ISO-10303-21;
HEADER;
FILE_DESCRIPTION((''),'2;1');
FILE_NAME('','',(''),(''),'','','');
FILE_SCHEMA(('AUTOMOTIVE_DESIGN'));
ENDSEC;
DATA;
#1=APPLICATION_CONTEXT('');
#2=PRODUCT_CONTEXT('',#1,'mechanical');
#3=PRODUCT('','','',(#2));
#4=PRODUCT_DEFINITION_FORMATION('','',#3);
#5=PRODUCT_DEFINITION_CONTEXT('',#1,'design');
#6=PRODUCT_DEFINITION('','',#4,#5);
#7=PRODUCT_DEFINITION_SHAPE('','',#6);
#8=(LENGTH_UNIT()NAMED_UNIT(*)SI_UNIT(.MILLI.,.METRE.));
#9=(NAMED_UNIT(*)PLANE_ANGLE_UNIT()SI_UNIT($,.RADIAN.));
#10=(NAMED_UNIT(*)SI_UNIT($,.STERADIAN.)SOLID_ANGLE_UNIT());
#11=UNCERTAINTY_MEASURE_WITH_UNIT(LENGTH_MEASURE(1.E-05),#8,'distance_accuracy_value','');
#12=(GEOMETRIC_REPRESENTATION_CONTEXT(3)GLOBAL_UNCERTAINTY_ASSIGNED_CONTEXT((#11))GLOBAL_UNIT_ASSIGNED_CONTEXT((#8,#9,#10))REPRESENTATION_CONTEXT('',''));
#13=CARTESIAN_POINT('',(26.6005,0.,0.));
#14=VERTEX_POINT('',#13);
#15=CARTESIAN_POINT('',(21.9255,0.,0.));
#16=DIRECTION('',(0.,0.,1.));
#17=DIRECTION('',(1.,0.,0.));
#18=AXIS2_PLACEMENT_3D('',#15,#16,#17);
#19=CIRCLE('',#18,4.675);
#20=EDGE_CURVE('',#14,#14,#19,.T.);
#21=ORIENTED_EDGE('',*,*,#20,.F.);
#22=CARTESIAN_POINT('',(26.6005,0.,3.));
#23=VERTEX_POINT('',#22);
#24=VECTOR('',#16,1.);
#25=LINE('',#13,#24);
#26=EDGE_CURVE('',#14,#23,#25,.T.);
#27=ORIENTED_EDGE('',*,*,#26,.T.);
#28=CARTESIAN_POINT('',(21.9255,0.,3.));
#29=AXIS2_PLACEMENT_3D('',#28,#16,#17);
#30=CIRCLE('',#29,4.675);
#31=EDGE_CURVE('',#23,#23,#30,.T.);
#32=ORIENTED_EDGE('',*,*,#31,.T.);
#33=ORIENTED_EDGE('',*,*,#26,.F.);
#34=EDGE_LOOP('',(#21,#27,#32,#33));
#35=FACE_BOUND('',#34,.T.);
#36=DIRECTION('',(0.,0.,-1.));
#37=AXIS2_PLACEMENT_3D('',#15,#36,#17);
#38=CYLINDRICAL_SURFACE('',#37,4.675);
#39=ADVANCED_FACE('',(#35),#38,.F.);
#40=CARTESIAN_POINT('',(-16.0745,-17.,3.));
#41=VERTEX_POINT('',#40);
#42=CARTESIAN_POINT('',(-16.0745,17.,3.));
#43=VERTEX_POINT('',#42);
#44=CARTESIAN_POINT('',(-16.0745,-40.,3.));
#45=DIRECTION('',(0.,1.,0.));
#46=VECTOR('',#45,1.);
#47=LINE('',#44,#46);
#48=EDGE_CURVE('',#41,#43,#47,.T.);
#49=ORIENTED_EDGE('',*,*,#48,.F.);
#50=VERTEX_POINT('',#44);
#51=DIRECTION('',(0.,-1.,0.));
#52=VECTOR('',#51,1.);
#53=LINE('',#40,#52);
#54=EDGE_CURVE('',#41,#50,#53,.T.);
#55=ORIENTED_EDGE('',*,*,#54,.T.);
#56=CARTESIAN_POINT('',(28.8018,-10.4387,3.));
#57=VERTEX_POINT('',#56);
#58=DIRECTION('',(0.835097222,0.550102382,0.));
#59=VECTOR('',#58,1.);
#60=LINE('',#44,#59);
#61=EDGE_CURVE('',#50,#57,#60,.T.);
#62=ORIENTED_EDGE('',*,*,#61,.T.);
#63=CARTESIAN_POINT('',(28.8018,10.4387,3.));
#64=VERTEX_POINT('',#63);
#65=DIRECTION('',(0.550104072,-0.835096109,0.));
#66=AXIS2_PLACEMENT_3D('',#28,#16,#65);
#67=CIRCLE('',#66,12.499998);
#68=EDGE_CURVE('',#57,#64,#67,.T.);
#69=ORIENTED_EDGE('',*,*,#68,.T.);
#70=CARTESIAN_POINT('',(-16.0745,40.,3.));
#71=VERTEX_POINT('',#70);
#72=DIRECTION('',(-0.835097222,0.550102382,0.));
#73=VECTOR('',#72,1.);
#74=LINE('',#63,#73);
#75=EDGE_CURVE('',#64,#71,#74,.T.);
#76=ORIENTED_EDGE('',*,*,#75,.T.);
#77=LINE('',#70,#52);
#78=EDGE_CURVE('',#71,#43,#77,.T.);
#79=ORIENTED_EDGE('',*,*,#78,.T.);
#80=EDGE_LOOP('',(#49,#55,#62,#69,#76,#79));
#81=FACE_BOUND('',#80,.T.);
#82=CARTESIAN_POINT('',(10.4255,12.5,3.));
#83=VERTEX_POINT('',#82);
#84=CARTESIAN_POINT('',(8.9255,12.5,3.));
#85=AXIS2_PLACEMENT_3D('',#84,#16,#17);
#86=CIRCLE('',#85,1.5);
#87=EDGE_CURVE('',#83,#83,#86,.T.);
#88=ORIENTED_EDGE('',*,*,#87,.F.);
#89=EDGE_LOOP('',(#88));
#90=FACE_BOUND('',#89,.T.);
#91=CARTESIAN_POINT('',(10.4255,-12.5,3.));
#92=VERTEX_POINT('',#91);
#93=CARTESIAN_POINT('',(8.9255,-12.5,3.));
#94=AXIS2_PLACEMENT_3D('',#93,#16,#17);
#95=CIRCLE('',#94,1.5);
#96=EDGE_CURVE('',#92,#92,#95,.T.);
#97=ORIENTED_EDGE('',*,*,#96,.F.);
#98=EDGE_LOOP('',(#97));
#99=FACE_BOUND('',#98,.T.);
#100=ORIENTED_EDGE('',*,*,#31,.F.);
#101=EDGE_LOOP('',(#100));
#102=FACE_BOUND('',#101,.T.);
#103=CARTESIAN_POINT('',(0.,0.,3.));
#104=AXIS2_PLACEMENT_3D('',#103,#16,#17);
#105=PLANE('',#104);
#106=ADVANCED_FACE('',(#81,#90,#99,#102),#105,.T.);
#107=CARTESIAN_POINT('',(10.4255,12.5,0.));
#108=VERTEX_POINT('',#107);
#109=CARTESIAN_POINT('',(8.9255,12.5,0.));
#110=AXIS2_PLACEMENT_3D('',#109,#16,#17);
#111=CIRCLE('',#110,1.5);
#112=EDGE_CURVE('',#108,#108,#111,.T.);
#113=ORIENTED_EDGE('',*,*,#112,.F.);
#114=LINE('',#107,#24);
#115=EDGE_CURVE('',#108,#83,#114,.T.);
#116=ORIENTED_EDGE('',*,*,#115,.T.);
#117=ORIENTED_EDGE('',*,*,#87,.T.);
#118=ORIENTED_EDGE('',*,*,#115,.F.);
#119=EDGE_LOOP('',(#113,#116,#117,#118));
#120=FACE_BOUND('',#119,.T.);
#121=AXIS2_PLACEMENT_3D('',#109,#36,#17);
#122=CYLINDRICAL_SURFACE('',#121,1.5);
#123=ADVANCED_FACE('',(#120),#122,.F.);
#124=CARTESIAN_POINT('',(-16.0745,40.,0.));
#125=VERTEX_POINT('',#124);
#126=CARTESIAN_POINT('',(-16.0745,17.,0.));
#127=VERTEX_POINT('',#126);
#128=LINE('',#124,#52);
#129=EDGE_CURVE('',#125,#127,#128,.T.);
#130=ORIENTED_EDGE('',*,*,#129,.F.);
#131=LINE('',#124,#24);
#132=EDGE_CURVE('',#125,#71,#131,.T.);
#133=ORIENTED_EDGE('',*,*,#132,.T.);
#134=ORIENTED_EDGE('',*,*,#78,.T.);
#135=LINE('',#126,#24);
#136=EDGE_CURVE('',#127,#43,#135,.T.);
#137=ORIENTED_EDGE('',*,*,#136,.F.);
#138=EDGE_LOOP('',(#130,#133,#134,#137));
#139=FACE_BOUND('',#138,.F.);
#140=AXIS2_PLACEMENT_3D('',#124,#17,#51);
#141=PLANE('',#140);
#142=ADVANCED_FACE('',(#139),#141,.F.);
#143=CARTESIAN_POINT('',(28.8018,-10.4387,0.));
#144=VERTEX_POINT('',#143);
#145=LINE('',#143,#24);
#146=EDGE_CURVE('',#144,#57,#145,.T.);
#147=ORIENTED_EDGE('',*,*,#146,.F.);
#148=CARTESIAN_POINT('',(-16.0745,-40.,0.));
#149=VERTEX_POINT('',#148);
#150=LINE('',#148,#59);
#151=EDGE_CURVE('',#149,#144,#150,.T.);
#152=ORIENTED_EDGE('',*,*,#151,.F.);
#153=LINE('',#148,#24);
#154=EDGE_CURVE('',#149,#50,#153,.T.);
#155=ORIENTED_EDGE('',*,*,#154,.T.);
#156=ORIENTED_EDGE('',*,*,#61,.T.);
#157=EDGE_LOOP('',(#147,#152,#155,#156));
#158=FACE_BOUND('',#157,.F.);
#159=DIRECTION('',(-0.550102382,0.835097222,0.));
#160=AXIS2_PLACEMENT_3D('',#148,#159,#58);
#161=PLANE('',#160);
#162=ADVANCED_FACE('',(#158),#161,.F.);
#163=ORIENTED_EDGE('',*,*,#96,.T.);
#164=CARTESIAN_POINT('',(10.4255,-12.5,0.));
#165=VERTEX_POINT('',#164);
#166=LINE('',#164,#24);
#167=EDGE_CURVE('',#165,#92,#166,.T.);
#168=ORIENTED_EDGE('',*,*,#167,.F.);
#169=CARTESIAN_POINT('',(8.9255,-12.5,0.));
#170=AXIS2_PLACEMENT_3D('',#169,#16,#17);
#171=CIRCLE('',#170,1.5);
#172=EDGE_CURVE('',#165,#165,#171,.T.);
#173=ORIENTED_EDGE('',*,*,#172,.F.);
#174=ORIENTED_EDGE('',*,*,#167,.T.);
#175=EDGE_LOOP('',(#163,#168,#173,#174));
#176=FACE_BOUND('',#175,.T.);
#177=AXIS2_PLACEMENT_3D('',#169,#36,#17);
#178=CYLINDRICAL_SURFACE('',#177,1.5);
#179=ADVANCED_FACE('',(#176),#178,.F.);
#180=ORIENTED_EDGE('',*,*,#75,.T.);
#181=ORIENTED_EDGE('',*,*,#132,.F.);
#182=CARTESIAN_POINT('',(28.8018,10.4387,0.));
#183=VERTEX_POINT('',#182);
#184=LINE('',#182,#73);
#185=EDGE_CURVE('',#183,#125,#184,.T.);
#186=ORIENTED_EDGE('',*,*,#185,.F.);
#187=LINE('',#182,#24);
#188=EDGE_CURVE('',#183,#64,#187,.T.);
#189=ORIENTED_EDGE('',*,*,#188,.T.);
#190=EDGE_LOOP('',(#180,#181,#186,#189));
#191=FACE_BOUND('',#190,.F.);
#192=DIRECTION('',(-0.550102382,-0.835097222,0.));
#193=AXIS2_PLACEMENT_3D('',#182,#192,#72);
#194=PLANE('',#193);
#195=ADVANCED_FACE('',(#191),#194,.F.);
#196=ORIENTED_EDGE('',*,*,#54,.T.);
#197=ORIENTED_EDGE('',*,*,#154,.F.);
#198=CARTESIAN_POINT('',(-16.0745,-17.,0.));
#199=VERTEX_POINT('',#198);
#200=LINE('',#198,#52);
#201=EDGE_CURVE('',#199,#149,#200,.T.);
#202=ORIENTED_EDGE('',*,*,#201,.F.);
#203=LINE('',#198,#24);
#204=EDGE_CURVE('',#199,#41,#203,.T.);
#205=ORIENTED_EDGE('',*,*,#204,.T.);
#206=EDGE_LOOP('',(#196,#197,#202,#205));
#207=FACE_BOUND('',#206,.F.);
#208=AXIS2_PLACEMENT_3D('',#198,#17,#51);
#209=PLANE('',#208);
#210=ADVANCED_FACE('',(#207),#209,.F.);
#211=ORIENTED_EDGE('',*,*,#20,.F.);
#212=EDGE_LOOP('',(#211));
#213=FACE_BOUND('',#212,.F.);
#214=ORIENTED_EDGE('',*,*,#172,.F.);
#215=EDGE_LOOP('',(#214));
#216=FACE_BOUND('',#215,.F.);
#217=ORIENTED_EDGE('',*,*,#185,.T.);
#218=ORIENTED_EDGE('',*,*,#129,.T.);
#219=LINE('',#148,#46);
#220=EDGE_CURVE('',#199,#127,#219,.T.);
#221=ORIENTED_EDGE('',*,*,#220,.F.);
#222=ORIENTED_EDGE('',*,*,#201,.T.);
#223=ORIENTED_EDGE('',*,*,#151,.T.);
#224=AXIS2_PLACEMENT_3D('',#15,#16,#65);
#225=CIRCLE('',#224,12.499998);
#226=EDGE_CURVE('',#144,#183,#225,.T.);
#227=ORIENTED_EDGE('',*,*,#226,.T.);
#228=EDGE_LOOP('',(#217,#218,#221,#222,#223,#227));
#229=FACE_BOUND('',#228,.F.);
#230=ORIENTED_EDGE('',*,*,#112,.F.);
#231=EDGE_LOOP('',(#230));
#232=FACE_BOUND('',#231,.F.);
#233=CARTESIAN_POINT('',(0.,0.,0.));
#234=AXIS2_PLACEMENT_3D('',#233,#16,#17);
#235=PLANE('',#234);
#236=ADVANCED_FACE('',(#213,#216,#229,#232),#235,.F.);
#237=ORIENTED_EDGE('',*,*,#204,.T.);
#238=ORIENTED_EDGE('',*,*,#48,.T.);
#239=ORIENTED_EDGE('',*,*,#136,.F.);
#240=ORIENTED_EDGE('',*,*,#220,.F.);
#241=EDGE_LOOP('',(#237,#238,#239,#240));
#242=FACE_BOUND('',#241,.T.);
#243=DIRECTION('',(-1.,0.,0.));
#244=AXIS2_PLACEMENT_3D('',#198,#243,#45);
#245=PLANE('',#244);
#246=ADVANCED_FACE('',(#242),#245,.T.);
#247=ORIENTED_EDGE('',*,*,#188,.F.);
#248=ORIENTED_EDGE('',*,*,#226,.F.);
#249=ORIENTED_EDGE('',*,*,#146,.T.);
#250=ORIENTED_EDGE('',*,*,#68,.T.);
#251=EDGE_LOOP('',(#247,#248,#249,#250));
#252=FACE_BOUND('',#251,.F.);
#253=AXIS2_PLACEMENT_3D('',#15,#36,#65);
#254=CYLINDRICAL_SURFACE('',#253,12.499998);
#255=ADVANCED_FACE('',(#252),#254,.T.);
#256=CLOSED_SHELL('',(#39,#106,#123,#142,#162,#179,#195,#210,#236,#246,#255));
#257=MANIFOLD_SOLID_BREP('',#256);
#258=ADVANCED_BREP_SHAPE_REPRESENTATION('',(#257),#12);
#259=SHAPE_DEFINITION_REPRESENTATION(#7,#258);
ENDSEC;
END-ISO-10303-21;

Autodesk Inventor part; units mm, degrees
ref_plane "YZ Plane" through (0, 0, 0) normal (1, 0, 0) x (0, 1, 0)
ref_plane "XZ Plane" through (0, 0, 0) normal (0, 1, 0) x (-1, 0, 0)
ref_plane "XY Plane" through (0, 0, 0) normal (0, 0, 1) x (1, 0, 0)
sketch "Sketch1" plane through (0, 0, 0) normal (0, 0, 1) x (1, 0, 0)
  circle A0 centre (21.9255, 0) radius 6.5 construction
  arc A1 (28.8018, -10.4387) -> (28.8018, 10.4387) centre (21.9255, 0) ccw projected
  line L0 (-16.0745, -40) -> (28.8018, -10.4387) projected
  line L1 (28.8018, 10.4387) -> (-16.0745, 40) projected
  line L2 (-16.0745, 40) -> (-16.0745, 17) projected
  line L3 (-16.0745, -17) -> (-16.0745, -40) projected
  line L4 (-16.0745, -40) -> (-16.0745, 40)
  circle A2 centre (21.9255, 0) radius 4.675
  circle A3 centre (8.9255, -12.5) radius 1.5
  line L5 (-16.0745, 0) -> (34.4255, 0) construction
  circle A4 centre (8.9255, 12.5) radius 1.5
  point P0 (0, 0)
  dimension "d0" = 9.35
  dimension "d1" = 3
  dimension "d2" = 25
  dimension "d3" = 12.5
extrude "Extrusion1" add sketch "Sketch1" along normal blind 3
properties part number "Bearing lockers"
